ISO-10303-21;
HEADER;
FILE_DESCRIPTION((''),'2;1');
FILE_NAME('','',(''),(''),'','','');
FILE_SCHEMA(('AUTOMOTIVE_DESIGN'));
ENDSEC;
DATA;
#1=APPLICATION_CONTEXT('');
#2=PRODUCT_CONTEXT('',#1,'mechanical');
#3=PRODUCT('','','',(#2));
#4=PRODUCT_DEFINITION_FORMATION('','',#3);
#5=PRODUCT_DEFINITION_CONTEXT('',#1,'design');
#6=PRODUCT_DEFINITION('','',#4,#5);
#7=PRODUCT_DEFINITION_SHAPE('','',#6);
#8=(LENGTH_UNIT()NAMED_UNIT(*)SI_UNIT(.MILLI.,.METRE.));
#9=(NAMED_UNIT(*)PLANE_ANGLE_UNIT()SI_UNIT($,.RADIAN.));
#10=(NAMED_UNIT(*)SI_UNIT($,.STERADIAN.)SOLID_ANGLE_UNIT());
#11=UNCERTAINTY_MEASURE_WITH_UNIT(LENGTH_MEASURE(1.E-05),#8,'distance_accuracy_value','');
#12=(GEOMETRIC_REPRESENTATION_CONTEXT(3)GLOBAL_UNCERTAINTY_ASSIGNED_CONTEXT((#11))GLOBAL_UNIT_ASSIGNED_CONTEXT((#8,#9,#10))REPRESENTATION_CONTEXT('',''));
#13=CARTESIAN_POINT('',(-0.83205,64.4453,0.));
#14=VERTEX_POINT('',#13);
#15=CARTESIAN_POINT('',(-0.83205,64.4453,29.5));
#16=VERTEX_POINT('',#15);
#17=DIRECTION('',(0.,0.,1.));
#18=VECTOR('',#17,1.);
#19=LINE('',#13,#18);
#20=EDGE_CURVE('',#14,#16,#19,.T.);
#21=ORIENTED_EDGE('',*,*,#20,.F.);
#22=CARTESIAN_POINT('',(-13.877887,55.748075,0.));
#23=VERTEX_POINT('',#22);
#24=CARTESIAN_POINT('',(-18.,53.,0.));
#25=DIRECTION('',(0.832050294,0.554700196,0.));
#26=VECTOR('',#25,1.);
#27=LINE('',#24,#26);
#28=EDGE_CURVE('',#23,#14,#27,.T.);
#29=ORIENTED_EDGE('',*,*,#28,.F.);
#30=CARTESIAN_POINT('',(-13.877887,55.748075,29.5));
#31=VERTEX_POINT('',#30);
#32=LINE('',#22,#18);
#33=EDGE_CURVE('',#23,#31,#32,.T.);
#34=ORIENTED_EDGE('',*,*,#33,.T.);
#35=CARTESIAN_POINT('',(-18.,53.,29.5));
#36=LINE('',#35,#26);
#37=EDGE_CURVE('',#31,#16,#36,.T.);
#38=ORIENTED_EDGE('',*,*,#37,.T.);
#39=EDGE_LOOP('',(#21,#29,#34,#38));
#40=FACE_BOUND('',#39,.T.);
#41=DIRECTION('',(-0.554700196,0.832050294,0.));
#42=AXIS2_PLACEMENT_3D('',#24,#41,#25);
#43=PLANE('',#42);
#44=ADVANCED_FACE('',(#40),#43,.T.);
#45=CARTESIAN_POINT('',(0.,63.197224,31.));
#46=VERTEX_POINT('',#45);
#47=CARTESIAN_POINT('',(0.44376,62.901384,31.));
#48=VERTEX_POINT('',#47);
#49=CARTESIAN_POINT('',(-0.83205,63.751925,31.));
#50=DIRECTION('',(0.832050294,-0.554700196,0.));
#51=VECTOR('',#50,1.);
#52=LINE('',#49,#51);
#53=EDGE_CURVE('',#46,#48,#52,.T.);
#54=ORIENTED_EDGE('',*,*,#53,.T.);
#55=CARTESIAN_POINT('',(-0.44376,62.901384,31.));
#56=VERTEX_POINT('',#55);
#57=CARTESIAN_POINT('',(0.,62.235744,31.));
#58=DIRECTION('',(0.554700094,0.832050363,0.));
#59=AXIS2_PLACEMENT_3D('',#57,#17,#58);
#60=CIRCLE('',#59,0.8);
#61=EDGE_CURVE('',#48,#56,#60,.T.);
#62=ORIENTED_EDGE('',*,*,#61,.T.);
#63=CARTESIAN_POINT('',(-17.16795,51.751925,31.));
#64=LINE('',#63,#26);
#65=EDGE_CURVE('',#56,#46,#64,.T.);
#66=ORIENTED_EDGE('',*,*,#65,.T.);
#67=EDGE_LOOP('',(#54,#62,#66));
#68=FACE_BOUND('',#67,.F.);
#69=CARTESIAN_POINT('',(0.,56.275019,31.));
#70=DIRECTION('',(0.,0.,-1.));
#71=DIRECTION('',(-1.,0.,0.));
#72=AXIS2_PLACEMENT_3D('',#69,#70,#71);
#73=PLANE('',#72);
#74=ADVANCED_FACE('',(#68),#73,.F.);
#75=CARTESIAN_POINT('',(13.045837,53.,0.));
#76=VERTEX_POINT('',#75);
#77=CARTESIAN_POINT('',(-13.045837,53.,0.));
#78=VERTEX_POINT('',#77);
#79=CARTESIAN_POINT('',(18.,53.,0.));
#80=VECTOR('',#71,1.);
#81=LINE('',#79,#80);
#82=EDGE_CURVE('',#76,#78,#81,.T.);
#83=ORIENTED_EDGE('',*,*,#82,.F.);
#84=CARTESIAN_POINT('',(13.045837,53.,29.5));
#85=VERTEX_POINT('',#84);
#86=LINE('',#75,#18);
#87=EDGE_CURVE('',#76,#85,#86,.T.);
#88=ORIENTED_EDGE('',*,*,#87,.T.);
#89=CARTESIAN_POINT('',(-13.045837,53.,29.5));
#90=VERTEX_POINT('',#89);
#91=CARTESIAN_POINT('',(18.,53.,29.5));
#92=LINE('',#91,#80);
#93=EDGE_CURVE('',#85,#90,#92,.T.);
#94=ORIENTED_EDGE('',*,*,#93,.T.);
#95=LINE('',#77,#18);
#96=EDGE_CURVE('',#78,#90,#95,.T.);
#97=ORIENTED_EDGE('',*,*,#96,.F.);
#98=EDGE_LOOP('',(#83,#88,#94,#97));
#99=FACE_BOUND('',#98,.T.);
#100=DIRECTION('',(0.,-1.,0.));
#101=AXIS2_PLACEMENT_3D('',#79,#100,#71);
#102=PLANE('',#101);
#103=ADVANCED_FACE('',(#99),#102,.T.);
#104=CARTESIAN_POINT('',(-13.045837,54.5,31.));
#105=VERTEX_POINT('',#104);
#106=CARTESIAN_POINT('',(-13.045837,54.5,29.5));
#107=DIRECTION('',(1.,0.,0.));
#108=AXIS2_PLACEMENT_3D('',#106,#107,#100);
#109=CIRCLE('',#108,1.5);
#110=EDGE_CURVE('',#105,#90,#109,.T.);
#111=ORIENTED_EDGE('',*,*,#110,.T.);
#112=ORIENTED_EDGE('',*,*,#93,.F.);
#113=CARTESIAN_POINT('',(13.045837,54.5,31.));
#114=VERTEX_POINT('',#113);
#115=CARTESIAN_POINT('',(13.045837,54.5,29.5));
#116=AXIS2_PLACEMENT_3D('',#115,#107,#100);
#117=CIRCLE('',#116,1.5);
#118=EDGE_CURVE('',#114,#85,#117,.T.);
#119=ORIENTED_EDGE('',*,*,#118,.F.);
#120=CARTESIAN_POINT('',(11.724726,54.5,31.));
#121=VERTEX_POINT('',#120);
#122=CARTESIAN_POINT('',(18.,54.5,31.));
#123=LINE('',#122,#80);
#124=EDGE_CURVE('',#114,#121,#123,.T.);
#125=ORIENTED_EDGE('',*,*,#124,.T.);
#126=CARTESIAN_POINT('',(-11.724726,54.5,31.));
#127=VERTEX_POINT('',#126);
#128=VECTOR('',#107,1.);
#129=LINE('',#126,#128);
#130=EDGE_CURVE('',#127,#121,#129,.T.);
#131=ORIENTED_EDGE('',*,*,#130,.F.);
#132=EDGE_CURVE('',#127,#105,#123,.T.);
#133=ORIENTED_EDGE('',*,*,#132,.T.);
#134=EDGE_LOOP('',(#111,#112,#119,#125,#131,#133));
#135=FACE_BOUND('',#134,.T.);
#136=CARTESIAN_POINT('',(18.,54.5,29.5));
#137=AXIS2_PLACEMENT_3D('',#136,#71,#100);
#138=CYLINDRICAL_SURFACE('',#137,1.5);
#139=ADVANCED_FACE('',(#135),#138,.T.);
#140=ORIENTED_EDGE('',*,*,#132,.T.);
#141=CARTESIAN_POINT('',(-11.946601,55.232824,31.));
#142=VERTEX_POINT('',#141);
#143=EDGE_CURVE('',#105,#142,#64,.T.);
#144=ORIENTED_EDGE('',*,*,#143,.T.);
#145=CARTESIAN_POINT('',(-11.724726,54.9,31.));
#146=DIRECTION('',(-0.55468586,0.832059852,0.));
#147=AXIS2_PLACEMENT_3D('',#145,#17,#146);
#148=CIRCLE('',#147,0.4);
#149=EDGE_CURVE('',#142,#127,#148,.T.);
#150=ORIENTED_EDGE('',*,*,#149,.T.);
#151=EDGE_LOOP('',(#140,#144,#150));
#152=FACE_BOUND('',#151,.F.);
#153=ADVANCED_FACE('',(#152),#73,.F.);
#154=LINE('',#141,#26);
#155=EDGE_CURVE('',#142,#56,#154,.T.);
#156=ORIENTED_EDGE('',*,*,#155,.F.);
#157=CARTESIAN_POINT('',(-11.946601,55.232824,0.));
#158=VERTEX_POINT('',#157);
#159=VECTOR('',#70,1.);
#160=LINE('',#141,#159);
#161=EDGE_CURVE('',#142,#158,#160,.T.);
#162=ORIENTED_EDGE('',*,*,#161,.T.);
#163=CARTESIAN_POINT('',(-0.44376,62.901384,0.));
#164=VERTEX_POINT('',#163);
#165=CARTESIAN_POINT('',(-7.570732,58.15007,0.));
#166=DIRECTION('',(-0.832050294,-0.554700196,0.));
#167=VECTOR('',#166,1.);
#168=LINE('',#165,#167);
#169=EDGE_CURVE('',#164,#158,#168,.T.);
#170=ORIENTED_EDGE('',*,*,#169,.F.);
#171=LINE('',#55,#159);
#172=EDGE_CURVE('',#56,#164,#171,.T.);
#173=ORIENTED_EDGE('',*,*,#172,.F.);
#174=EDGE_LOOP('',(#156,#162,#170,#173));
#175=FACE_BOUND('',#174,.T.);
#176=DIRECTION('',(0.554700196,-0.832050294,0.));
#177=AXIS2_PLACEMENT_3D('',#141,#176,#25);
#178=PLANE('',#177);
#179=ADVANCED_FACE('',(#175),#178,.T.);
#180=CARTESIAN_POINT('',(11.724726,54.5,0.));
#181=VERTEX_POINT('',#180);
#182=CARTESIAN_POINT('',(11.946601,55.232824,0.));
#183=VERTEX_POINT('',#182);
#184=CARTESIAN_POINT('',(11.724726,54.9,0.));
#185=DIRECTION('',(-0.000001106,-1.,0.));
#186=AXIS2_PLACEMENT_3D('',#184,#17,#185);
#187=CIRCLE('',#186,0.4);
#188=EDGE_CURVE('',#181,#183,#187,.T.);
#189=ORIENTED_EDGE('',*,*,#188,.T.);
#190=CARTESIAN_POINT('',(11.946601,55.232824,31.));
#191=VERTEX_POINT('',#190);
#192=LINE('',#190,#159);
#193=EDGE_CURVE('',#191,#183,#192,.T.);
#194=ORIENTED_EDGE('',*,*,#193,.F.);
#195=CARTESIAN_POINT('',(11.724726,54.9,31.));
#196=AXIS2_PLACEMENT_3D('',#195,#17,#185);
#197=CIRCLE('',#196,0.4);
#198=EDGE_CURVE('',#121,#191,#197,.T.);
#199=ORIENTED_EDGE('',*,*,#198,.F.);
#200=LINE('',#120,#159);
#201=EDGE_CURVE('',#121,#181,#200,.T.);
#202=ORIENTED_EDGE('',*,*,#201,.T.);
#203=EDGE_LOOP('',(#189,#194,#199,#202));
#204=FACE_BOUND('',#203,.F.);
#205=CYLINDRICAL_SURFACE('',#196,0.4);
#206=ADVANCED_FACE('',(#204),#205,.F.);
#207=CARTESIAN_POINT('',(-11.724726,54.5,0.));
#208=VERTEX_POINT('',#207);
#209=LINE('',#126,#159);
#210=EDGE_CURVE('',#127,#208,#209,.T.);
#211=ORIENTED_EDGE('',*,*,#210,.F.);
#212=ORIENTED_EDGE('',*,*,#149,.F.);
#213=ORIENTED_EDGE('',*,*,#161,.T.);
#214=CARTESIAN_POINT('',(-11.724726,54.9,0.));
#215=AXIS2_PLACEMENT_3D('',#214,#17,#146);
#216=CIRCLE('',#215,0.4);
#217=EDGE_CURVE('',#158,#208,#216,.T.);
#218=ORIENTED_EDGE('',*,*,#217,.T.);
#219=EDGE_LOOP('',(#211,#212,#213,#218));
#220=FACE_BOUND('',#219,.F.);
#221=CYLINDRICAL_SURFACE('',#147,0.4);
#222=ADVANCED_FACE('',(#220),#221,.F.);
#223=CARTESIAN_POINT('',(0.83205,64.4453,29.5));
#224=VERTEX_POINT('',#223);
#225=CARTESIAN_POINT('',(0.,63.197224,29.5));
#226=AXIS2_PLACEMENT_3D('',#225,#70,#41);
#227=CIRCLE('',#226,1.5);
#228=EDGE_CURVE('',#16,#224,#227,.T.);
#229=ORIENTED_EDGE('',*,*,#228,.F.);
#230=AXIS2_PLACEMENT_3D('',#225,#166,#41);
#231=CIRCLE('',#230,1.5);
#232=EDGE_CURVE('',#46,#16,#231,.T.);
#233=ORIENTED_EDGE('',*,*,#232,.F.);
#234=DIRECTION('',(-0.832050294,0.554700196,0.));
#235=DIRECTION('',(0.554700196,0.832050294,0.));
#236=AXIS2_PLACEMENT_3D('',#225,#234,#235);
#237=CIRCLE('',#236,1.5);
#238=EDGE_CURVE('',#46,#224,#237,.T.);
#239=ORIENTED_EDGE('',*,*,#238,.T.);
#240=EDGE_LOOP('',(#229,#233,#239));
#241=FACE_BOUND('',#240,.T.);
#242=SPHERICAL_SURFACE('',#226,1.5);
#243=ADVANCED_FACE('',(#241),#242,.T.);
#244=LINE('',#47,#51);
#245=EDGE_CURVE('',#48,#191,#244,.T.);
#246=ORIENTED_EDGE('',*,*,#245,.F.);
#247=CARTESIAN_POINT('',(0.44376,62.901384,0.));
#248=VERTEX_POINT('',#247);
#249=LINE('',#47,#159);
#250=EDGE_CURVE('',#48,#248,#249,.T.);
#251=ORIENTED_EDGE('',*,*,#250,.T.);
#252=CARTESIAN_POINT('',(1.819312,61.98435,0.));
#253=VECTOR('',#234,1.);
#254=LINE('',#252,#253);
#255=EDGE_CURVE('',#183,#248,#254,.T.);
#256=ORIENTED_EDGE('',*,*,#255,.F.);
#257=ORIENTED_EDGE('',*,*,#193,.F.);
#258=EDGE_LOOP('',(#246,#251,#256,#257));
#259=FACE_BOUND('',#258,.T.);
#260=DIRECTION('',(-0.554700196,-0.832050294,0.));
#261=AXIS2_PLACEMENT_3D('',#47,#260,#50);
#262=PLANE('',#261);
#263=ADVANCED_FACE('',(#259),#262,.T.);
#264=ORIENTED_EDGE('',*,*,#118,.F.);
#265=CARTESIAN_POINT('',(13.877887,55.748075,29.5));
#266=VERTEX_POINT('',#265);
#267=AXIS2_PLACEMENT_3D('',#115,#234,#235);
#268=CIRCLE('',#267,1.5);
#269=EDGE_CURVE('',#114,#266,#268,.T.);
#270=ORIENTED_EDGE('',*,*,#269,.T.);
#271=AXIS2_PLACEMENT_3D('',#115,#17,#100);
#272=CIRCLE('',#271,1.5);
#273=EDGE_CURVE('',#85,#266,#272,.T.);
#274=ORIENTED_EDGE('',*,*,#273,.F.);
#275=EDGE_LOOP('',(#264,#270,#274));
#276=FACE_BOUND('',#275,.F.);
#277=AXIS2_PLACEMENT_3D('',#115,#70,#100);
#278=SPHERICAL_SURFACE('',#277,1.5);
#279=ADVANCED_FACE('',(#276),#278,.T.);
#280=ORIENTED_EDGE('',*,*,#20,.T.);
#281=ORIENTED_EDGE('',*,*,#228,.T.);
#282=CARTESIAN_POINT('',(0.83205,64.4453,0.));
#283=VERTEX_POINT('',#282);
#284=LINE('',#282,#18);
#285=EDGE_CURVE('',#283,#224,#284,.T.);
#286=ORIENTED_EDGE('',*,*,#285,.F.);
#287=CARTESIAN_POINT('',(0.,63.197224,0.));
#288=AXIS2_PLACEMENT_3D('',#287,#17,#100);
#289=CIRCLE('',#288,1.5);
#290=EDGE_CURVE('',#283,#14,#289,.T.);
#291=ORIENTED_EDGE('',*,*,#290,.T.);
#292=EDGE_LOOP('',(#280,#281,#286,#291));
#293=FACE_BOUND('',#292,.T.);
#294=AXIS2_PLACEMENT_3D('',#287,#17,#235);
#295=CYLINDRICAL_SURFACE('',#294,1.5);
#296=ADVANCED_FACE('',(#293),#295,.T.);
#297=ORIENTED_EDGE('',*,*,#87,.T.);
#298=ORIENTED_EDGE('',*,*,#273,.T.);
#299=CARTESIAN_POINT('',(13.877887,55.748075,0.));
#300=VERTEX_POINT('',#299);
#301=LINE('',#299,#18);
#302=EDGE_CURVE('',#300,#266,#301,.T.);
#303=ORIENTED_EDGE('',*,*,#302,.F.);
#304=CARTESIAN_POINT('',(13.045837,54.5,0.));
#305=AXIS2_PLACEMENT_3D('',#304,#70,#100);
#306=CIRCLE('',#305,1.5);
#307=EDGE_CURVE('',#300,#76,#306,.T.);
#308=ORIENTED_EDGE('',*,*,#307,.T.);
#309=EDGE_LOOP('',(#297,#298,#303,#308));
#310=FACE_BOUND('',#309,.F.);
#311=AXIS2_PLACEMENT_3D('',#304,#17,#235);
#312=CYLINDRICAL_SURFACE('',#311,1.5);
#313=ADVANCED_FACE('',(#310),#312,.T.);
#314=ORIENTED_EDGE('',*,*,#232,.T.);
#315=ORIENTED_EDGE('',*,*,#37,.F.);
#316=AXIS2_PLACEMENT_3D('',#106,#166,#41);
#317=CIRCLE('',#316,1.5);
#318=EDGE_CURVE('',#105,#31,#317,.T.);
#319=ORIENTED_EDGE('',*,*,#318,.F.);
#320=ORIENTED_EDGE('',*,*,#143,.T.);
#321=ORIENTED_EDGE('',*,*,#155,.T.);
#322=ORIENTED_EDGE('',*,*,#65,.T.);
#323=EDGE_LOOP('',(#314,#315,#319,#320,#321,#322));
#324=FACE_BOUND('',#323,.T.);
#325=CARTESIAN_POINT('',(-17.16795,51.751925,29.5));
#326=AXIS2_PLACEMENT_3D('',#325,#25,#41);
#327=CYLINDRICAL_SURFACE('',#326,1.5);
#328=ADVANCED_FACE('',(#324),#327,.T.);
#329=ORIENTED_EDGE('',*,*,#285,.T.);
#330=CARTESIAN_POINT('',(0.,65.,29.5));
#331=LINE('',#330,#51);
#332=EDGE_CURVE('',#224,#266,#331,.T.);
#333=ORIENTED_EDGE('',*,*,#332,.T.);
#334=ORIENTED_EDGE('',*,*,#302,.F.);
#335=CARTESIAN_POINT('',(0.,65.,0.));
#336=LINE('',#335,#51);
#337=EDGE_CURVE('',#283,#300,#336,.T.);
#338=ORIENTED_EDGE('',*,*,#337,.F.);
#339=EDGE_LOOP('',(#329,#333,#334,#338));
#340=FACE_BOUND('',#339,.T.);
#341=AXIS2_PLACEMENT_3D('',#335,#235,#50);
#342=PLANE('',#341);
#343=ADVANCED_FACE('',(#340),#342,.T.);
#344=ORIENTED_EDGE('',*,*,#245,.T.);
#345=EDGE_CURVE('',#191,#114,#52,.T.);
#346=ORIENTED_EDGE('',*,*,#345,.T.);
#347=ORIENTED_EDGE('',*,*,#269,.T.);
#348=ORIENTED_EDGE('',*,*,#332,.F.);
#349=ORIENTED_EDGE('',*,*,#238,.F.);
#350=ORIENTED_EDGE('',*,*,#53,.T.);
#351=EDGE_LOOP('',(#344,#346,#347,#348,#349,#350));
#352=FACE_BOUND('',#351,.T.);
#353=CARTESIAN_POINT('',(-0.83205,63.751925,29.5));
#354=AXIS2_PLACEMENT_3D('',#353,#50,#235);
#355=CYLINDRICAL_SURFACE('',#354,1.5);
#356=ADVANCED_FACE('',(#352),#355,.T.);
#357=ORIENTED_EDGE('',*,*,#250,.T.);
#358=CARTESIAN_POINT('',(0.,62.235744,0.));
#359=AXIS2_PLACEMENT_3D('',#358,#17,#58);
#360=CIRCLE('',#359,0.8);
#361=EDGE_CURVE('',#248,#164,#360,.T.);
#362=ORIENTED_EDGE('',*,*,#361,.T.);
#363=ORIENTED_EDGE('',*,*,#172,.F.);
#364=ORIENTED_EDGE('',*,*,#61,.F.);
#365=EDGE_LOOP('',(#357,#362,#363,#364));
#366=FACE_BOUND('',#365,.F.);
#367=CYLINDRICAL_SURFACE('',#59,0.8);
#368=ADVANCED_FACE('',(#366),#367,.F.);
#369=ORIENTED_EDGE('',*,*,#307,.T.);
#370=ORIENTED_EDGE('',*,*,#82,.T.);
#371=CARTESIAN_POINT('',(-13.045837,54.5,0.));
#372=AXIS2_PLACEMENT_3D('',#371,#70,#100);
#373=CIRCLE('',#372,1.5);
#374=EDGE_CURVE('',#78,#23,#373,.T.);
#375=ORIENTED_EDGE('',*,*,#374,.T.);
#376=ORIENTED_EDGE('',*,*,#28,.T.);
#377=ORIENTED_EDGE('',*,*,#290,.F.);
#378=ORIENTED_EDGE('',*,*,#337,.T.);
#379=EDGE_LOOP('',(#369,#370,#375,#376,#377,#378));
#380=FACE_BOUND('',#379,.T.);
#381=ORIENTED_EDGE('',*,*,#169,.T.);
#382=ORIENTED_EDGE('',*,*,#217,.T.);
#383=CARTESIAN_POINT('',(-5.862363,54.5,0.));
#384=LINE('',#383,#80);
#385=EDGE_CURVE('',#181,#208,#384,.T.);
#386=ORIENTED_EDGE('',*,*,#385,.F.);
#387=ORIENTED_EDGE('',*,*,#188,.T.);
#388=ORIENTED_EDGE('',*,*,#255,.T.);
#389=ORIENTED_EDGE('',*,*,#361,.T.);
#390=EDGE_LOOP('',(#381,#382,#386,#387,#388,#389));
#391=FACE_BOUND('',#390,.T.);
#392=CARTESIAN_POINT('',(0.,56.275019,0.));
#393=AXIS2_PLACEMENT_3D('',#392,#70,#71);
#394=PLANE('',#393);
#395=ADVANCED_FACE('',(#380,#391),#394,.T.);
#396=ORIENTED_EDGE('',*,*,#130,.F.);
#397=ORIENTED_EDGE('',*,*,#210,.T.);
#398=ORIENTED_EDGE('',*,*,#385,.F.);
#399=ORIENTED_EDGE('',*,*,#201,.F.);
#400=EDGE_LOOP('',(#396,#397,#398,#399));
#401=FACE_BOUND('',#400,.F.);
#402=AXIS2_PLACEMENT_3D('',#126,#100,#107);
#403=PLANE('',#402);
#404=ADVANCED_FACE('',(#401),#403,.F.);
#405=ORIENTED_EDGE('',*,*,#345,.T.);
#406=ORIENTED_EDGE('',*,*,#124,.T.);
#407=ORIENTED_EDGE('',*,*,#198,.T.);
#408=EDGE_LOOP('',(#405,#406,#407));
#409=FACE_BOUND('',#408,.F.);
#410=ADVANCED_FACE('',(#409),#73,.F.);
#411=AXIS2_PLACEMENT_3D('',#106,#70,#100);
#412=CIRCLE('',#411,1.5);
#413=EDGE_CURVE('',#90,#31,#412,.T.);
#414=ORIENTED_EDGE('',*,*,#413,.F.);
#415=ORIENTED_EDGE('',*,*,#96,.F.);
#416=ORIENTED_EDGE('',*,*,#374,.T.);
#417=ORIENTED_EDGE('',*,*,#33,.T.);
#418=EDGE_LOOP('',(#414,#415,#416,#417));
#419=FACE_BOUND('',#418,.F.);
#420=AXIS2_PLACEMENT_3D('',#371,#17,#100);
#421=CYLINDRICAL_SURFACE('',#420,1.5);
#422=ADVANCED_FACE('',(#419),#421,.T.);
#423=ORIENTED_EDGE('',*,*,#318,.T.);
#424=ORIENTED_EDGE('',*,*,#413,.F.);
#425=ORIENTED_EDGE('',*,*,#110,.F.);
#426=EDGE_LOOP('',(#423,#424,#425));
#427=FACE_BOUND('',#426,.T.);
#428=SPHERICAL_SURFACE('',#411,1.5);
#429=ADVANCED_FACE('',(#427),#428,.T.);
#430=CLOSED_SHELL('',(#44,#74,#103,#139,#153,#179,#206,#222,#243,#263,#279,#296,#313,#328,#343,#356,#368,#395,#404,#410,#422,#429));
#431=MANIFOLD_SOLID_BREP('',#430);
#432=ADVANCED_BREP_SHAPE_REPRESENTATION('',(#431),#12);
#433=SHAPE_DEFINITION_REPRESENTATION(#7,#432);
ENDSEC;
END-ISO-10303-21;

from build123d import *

# Parameters (mm, degrees)
PAD010_DEPTH = 31
FILLET004_R  = 1.5
POCKET_DEPTH = 32


with BuildPart() as part:
    # Sketch002 → Pad010 (new body)
    with BuildSketch(Plane.XY):
        Polygon((0, 65), (18, 53), (-18, 53), align=None)
    extrude(amount=PAD010_DEPTH)

    # Fillet004
    fillet004_edges = [part.edges().sort_by_distance(p)[0] for p in [
        (-18, 53, 15.5),
        (18, 53, 15.5),
        (0, 65, 15.5),
        (0, 53, 31),
        (-9, 59, 31),
        (9, 59, 31),
    ]]
    fillet(fillet004_edges, radius=FILLET004_R)

    # Sketch004 (on Face11 of Fillet004) → Pocket (cut)
    with BuildSketch(Plane.XY.offset(31)):
        with BuildLine():
            Line((-11.9466006322, 55.2328239407), (-0.4437599322, 62.9013844075))
            ThreePointArc((0.4437600752, 62.9013843122), (8.59e-08, 63.0357440221), (-0.4437599322, 62.9013844075))
            Line((0.4437600752, 62.9013843122), (11.9466006329, 55.2328239403))
            ThreePointArc((11.724725846, 54.5), (12.1075640333, 54.7840894266), (11.9466006329, 55.2328239403))
            Line((-11.7247263937, 54.5), (11.724725846, 54.5))
            ThreePointArc((-11.9466006322, 55.2328239407), (-12.1075641128, 54.7840896892), (-11.7247263937, 54.5))
        make_face()
    extrude(amount=-POCKET_DEPTH, mode=Mode.SUBTRACT)


solid = part.part
